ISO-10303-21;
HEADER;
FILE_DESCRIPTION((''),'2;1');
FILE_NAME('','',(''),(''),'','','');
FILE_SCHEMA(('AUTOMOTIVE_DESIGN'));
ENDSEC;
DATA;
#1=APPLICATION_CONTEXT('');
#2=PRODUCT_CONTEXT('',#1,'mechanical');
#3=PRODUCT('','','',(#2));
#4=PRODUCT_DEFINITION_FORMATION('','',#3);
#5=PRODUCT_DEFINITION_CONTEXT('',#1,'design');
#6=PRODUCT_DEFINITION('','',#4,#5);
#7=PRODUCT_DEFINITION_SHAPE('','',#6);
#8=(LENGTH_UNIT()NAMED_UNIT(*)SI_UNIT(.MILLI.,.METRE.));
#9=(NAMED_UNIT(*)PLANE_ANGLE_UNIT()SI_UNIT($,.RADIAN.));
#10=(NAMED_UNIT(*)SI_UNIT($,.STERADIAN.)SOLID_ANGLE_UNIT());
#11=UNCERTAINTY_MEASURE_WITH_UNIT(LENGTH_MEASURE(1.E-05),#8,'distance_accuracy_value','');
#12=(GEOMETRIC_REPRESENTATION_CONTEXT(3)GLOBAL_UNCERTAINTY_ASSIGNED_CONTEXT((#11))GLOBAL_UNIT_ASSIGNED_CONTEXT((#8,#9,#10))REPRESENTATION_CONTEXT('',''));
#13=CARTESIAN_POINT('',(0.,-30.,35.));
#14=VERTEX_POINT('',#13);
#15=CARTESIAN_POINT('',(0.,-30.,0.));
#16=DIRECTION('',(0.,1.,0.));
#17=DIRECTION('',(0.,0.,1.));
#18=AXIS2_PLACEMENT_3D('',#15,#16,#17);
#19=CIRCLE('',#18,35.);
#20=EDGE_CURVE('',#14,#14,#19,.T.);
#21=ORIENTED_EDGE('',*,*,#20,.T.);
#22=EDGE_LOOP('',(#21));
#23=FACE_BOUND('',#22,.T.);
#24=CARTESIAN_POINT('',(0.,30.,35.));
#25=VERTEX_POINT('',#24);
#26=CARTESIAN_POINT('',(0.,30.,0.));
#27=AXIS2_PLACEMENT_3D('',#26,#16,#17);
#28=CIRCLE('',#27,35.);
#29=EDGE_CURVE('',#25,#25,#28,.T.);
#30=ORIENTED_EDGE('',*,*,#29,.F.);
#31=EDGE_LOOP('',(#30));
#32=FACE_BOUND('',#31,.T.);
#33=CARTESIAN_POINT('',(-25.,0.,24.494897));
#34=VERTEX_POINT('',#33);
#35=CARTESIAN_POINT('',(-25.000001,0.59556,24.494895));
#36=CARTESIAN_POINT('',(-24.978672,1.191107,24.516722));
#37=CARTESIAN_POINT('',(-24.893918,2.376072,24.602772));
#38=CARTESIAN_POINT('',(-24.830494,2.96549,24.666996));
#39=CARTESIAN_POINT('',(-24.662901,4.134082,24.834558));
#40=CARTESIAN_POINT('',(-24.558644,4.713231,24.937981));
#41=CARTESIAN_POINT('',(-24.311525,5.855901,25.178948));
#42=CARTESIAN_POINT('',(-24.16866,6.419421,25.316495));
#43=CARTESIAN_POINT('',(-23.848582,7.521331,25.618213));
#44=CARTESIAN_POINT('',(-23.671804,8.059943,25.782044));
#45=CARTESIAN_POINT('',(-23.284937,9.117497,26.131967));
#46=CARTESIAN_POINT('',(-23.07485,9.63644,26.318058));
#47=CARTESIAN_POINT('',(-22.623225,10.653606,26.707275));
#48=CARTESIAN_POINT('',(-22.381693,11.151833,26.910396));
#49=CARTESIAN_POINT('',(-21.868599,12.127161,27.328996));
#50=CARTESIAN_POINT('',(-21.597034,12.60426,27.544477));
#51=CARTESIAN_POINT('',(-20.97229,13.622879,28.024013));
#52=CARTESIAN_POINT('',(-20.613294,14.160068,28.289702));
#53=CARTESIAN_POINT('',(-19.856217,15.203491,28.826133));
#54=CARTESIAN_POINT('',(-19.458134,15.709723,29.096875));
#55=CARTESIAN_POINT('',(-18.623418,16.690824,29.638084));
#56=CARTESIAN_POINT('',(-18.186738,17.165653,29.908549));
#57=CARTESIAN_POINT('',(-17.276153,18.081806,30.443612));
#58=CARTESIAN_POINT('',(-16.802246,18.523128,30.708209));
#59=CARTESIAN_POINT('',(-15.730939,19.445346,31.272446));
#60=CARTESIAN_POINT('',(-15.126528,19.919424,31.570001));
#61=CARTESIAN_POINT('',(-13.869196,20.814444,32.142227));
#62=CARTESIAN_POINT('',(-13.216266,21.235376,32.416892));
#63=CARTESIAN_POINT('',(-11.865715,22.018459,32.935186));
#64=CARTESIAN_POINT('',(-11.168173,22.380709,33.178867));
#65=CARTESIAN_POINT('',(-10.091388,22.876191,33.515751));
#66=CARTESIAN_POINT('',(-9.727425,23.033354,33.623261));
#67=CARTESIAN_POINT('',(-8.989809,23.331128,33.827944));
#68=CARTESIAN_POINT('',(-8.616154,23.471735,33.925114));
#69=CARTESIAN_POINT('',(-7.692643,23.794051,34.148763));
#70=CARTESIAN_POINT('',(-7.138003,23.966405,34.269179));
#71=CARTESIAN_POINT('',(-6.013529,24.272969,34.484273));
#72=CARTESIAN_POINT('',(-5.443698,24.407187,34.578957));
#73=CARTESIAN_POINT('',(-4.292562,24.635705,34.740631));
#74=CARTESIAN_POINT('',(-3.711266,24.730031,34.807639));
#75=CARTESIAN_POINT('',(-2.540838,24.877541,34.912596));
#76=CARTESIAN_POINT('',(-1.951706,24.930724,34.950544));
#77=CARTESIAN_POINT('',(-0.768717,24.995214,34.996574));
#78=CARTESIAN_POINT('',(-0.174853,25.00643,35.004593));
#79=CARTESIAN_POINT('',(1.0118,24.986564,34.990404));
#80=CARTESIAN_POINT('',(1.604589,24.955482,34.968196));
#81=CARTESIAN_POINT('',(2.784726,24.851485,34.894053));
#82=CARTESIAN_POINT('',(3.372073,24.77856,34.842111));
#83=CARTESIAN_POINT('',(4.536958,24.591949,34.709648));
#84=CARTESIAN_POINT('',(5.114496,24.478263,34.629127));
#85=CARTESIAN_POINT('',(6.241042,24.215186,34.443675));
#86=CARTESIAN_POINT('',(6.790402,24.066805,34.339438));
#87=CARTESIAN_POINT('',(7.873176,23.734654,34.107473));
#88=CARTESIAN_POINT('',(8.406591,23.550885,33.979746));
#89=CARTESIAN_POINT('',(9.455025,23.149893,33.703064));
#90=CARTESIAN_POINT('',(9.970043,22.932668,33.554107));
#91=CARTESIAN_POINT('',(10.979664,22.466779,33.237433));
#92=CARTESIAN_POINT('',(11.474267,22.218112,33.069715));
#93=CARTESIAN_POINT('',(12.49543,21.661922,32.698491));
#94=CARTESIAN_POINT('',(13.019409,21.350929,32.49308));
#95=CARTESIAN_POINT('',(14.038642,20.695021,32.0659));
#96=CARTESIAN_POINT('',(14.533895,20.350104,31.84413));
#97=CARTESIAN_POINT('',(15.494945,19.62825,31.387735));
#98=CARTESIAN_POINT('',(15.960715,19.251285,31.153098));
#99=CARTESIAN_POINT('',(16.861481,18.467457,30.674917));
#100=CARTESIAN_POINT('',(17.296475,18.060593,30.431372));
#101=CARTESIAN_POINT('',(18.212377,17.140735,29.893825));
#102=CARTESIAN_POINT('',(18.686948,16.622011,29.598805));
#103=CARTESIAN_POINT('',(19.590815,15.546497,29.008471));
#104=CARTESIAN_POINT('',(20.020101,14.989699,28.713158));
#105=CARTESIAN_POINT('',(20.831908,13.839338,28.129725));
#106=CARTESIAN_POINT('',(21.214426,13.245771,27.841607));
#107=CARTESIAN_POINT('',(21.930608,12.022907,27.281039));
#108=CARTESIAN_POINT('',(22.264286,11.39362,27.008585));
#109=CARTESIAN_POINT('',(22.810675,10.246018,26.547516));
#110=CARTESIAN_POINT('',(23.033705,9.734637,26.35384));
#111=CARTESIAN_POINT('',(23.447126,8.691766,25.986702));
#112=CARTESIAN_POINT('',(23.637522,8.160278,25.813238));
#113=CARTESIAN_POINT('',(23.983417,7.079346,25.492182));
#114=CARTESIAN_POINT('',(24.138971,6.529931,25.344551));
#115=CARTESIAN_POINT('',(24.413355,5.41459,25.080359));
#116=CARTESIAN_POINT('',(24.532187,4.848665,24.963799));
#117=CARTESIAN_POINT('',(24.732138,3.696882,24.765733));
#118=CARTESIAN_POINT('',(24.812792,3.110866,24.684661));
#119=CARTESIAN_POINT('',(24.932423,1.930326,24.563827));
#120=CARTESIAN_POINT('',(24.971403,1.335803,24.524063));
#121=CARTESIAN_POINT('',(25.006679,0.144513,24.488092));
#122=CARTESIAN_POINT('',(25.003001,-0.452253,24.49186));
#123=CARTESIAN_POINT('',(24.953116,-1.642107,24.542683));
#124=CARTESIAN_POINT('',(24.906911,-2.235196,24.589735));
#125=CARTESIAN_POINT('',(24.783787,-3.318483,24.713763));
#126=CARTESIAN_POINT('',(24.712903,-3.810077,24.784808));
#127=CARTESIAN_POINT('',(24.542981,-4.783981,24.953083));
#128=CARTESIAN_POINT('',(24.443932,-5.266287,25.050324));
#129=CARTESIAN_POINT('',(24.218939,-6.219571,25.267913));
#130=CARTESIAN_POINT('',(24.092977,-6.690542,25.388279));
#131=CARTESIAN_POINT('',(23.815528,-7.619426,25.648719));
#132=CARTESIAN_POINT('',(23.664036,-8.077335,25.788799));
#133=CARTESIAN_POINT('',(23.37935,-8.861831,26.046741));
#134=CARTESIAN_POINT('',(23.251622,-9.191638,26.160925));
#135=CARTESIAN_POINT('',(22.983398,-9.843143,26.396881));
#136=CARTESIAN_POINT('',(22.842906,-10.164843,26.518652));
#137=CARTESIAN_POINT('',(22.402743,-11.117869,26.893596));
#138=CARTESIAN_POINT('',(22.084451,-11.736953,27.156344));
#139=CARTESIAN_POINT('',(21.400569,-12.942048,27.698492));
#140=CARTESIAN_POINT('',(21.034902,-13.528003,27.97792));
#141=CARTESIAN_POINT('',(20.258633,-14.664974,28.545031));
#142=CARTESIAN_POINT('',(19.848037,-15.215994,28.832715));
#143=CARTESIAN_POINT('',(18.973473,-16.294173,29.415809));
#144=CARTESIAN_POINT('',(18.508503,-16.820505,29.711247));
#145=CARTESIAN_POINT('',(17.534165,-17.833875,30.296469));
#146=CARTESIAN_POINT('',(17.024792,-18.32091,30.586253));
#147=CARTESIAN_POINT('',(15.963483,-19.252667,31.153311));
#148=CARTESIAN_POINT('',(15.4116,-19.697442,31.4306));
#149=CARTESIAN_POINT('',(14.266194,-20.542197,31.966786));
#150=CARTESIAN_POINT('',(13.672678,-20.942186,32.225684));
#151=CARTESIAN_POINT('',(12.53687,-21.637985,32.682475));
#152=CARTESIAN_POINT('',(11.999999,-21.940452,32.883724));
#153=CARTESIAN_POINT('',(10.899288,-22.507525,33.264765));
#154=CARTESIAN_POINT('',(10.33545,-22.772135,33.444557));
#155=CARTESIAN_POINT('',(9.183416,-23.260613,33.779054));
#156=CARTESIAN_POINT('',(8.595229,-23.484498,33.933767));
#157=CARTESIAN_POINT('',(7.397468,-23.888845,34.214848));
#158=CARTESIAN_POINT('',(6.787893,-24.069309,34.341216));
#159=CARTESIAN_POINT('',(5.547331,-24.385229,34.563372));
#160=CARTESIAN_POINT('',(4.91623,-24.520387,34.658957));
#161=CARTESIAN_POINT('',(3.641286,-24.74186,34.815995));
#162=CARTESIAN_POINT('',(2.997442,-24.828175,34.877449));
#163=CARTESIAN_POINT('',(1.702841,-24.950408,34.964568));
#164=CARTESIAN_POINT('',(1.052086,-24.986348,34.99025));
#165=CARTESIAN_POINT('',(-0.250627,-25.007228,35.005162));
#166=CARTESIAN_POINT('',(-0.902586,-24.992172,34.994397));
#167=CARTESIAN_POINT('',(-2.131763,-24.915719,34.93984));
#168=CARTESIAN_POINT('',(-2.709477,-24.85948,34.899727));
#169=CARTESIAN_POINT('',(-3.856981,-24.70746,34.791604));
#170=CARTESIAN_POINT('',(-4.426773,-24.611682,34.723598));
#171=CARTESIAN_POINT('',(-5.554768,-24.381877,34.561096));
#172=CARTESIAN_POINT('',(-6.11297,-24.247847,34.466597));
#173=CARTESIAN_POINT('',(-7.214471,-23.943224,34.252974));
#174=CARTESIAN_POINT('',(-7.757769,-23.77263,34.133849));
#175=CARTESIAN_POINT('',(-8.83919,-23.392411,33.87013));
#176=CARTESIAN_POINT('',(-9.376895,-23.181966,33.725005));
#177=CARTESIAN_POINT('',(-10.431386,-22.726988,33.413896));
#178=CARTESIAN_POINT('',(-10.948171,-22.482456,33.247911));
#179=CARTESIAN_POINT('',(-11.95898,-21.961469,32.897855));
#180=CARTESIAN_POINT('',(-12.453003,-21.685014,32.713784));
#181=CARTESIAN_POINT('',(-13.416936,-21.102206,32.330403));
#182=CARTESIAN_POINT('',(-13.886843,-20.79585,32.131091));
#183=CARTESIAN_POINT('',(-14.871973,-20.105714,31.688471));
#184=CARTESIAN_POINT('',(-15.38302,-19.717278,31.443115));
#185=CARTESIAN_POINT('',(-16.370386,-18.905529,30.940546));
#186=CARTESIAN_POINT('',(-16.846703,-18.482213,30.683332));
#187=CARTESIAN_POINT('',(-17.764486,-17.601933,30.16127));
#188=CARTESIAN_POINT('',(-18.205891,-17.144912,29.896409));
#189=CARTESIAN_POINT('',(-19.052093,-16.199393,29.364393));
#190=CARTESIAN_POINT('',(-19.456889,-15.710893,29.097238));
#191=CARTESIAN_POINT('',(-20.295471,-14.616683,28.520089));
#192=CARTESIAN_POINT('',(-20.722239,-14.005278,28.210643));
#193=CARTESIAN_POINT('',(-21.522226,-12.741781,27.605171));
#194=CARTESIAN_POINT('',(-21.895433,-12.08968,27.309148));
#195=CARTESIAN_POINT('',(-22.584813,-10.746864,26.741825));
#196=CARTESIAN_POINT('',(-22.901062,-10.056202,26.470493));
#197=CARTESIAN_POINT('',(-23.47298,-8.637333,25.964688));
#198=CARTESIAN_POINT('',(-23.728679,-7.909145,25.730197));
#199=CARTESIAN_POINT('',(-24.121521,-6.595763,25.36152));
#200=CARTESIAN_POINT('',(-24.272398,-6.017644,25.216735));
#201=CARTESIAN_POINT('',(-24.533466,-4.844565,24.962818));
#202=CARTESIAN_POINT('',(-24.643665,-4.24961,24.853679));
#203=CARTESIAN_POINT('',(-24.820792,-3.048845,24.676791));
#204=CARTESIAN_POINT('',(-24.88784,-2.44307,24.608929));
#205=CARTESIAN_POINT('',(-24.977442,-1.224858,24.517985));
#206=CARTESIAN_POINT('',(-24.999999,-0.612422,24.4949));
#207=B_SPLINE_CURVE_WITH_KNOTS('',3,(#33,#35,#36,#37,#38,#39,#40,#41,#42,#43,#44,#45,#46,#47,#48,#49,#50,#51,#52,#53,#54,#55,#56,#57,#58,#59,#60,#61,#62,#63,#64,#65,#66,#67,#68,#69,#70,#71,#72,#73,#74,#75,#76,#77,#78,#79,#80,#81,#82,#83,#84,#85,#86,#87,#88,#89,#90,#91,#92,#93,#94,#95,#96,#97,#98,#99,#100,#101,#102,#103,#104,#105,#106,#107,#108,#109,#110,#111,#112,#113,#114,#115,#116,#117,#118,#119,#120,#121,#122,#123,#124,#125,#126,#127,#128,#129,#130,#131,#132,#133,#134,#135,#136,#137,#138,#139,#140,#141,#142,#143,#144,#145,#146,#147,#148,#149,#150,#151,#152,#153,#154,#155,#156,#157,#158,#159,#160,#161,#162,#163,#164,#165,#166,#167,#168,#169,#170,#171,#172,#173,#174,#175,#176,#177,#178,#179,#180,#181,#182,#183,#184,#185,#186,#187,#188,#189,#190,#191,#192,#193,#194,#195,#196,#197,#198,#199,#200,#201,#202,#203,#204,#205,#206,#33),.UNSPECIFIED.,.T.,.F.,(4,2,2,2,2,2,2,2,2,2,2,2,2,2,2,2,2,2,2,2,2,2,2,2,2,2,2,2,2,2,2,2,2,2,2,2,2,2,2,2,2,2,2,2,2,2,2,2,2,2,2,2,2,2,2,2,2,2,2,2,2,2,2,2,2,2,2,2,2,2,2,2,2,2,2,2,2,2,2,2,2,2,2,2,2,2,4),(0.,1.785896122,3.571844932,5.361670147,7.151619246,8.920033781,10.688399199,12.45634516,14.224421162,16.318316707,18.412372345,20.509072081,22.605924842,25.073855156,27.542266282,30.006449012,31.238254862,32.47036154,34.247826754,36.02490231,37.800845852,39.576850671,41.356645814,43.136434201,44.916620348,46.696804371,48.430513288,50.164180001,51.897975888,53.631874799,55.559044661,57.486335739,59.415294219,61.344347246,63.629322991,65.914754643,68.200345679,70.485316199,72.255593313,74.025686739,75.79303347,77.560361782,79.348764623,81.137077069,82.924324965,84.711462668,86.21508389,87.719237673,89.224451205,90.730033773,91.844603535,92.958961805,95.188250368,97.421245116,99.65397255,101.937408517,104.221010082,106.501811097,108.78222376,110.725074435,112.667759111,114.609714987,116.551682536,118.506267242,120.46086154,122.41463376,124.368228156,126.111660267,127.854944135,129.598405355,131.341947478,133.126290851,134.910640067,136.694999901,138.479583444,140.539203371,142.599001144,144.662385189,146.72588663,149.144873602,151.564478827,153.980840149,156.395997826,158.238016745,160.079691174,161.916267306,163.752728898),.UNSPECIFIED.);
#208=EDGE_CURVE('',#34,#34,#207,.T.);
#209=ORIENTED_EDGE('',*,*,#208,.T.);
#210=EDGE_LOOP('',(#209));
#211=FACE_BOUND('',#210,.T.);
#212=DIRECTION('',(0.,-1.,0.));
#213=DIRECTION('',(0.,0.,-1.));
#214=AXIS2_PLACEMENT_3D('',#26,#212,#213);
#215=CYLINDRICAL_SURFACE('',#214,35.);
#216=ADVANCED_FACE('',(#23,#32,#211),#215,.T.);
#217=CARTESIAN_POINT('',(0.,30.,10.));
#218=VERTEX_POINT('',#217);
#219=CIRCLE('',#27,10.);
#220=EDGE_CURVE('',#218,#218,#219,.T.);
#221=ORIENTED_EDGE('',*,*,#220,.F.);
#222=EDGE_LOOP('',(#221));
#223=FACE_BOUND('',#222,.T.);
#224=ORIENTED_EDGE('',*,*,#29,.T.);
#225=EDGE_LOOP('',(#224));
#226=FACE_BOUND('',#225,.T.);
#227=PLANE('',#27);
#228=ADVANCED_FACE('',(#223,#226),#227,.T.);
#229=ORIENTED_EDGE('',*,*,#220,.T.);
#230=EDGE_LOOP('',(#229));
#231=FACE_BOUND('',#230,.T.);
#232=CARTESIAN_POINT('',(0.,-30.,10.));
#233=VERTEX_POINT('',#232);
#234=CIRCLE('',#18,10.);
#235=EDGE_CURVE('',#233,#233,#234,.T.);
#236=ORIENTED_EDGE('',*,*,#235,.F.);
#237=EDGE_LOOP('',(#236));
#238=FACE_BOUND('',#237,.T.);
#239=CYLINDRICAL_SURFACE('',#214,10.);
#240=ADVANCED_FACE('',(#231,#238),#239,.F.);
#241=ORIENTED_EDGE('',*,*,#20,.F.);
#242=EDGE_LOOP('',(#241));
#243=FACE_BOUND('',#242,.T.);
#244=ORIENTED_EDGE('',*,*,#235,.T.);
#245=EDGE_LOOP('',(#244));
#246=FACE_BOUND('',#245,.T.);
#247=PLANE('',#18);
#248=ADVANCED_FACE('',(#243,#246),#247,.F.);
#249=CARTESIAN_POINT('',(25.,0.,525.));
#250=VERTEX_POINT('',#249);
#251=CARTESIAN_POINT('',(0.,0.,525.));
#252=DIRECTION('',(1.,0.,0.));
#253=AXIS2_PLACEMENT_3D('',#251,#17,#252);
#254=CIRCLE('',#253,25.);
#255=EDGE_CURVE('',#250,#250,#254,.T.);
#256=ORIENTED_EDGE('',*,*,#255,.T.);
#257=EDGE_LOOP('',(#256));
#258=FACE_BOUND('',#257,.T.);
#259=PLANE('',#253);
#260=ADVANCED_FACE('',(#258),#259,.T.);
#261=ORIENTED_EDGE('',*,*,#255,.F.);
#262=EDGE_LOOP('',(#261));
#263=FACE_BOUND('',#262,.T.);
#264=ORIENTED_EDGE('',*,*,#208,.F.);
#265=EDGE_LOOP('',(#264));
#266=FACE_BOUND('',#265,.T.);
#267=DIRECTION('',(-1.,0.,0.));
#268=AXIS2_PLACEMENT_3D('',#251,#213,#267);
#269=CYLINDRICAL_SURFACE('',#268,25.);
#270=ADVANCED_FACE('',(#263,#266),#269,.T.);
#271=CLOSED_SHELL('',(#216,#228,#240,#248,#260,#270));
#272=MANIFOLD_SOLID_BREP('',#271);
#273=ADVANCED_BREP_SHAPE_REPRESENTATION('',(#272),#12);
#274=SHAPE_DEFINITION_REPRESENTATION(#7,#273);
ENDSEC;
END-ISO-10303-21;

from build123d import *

# Parameters (mm, degrees)
SKETCH1_R               = 25
BOSS_EXTRUDE1_DEPTH     = 525
SKETCH2_R               = 35
SKETCH2_R_2             = 10
BOSS_EXTRUDE2_DEPTH     = 30
CUT_EXTRUDE1_DEPTH      = 528.019923834
CUT_EXTRUDE1_DEPTH_BACK = 528.019923834
SKETCH2_2_R             = 10


with BuildPart() as part:
    # Sketch1 → Boss-Extrude1 (new body)
    with BuildSketch(Plane.XY):
        Circle(SKETCH1_R)
    extrude(amount=BOSS_EXTRUDE1_DEPTH)

    # Sketch2 → Boss-Extrude2 (add, symmetric)
    with BuildSketch(Plane(origin=(0, 0, 0), x_dir=(1, 0, 0), z_dir=(0, 1, 0))):
        Circle(SKETCH2_R)
        Circle(SKETCH2_R_2, mode=Mode.SUBTRACT)
    extrude(amount=BOSS_EXTRUDE2_DEPTH, both=True)

    # Sketch2<2> → Cut-Extrude1 (cut, two sides: drawn at the far end of the back side and taken through both)
    with BuildSketch(Plane(origin=(0, 0, 0), x_dir=(1, 0, 0), z_dir=(0, 1, 0)).offset(-CUT_EXTRUDE1_DEPTH_BACK)):
        Circle(SKETCH2_2_R)
    extrude(amount=CUT_EXTRUDE1_DEPTH + CUT_EXTRUDE1_DEPTH_BACK, mode=Mode.SUBTRACT)


solid = part.part
